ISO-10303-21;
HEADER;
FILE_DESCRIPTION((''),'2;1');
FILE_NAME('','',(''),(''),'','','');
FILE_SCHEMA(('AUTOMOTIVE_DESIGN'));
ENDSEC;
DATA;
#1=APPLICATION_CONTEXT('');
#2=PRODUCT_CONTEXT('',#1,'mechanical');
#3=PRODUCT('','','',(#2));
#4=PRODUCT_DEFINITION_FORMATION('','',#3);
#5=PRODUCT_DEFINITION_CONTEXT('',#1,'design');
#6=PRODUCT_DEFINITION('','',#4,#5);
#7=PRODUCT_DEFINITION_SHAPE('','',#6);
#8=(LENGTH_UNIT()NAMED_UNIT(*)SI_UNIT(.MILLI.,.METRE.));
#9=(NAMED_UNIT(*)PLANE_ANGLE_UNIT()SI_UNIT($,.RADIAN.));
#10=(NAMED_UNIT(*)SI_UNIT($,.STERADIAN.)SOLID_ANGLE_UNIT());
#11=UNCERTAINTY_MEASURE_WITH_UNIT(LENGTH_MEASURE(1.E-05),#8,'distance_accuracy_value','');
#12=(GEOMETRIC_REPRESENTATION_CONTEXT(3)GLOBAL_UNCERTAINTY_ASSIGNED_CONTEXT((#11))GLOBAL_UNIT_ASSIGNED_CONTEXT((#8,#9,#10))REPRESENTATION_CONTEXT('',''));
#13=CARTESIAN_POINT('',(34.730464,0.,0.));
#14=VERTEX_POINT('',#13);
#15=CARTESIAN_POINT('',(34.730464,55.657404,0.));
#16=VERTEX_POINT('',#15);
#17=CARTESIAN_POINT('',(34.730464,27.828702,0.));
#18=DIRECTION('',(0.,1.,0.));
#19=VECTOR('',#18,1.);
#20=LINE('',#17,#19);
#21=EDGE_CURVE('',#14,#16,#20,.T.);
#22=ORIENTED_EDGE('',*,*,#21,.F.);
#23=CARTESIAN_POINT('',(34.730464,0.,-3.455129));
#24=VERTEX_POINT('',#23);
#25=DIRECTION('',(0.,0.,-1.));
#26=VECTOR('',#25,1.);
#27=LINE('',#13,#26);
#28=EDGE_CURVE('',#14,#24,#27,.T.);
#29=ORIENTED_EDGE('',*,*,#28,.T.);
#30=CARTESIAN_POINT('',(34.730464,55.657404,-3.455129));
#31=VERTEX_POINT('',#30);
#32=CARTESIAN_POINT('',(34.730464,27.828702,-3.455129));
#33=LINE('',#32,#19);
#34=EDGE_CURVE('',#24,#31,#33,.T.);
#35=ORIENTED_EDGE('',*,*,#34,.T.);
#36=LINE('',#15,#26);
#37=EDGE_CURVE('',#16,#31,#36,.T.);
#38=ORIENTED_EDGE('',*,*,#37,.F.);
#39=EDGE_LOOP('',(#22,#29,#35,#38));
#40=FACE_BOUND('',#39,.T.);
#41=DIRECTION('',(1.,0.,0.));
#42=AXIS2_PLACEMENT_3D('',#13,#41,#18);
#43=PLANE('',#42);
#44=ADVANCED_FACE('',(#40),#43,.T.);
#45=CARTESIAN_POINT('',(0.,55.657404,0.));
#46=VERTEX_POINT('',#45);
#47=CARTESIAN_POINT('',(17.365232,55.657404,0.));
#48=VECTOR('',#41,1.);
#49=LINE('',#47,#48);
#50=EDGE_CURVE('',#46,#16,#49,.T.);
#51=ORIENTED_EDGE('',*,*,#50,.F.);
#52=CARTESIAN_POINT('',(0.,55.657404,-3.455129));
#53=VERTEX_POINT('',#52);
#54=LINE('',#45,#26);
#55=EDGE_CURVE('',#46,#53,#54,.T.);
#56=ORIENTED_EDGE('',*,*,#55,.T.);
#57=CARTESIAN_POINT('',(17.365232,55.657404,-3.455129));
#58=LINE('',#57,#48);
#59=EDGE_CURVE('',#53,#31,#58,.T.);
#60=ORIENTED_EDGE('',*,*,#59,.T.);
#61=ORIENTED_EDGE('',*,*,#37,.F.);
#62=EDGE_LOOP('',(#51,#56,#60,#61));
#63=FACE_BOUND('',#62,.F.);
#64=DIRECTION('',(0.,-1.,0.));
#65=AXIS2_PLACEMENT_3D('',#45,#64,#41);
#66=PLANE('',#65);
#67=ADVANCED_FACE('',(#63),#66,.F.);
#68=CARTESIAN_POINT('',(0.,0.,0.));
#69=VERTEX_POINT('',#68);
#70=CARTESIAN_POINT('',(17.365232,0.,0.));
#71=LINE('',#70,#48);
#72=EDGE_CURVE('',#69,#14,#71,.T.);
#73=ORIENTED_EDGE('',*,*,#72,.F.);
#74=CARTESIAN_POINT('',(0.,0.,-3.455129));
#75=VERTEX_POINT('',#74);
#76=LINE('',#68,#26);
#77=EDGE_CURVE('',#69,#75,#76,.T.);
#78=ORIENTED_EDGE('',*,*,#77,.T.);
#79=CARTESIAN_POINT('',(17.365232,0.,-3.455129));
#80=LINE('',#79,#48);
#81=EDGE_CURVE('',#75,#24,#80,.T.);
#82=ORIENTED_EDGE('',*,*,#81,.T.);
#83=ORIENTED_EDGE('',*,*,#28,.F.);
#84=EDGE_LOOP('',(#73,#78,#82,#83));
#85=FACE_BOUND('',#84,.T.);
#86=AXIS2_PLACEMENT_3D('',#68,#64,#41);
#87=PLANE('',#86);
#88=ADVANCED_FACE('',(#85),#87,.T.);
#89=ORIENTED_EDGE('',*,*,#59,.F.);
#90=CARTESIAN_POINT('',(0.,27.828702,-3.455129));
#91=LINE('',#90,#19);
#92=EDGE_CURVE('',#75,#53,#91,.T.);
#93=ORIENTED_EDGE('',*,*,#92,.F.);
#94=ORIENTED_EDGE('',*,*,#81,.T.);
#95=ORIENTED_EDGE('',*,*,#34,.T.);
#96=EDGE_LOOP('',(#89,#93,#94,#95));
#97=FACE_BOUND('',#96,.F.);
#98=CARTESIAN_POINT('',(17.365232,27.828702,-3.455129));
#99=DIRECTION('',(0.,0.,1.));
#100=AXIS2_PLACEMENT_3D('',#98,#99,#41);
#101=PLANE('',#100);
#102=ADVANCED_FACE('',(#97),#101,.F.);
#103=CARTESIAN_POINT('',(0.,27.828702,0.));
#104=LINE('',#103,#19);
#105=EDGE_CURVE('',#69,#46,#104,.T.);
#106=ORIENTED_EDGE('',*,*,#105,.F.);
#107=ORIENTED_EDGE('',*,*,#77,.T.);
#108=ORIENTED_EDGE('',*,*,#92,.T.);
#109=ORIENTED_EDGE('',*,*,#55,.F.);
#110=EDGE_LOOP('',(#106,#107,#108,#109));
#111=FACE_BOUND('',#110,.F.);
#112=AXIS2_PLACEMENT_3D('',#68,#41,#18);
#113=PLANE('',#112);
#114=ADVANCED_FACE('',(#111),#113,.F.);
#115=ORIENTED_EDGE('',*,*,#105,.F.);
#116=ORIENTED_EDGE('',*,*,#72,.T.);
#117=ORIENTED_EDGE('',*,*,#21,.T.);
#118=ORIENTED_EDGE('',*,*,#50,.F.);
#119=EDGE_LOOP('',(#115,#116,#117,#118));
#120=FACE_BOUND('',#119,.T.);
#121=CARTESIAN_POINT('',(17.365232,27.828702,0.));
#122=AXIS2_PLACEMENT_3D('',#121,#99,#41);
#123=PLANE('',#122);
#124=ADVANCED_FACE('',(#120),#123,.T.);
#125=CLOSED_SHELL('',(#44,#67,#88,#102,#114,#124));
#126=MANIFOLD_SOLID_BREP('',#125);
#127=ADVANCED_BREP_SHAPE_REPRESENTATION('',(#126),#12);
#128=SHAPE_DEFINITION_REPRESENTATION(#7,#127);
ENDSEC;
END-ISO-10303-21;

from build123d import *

# Parameters (mm, degrees)
F0_W     = 34.730464
F0_H     = 55.657405
F1_DEPTH = 3.455129
F2_W     = 29.630077
F2_H     = 14.167171
F3_DEPTH = 0.495501


with BuildPart() as f1:
    # F0 (on Top) → F1 (new body)
    with BuildSketch(Plane.XY):
        with Locations((17.365232, 27.828702)):
            Rectangle(F0_W, F0_H)
    extrude(amount=-F1_DEPTH)

    # F2 (on Top) → F3 (join)
    with BuildSketch(Plane.XY):
        with Locations((17.609336, 46.406021)):
            Rectangle(F2_W, F2_H)
    extrude(amount=-F3_DEPTH)


solid = f1.part
